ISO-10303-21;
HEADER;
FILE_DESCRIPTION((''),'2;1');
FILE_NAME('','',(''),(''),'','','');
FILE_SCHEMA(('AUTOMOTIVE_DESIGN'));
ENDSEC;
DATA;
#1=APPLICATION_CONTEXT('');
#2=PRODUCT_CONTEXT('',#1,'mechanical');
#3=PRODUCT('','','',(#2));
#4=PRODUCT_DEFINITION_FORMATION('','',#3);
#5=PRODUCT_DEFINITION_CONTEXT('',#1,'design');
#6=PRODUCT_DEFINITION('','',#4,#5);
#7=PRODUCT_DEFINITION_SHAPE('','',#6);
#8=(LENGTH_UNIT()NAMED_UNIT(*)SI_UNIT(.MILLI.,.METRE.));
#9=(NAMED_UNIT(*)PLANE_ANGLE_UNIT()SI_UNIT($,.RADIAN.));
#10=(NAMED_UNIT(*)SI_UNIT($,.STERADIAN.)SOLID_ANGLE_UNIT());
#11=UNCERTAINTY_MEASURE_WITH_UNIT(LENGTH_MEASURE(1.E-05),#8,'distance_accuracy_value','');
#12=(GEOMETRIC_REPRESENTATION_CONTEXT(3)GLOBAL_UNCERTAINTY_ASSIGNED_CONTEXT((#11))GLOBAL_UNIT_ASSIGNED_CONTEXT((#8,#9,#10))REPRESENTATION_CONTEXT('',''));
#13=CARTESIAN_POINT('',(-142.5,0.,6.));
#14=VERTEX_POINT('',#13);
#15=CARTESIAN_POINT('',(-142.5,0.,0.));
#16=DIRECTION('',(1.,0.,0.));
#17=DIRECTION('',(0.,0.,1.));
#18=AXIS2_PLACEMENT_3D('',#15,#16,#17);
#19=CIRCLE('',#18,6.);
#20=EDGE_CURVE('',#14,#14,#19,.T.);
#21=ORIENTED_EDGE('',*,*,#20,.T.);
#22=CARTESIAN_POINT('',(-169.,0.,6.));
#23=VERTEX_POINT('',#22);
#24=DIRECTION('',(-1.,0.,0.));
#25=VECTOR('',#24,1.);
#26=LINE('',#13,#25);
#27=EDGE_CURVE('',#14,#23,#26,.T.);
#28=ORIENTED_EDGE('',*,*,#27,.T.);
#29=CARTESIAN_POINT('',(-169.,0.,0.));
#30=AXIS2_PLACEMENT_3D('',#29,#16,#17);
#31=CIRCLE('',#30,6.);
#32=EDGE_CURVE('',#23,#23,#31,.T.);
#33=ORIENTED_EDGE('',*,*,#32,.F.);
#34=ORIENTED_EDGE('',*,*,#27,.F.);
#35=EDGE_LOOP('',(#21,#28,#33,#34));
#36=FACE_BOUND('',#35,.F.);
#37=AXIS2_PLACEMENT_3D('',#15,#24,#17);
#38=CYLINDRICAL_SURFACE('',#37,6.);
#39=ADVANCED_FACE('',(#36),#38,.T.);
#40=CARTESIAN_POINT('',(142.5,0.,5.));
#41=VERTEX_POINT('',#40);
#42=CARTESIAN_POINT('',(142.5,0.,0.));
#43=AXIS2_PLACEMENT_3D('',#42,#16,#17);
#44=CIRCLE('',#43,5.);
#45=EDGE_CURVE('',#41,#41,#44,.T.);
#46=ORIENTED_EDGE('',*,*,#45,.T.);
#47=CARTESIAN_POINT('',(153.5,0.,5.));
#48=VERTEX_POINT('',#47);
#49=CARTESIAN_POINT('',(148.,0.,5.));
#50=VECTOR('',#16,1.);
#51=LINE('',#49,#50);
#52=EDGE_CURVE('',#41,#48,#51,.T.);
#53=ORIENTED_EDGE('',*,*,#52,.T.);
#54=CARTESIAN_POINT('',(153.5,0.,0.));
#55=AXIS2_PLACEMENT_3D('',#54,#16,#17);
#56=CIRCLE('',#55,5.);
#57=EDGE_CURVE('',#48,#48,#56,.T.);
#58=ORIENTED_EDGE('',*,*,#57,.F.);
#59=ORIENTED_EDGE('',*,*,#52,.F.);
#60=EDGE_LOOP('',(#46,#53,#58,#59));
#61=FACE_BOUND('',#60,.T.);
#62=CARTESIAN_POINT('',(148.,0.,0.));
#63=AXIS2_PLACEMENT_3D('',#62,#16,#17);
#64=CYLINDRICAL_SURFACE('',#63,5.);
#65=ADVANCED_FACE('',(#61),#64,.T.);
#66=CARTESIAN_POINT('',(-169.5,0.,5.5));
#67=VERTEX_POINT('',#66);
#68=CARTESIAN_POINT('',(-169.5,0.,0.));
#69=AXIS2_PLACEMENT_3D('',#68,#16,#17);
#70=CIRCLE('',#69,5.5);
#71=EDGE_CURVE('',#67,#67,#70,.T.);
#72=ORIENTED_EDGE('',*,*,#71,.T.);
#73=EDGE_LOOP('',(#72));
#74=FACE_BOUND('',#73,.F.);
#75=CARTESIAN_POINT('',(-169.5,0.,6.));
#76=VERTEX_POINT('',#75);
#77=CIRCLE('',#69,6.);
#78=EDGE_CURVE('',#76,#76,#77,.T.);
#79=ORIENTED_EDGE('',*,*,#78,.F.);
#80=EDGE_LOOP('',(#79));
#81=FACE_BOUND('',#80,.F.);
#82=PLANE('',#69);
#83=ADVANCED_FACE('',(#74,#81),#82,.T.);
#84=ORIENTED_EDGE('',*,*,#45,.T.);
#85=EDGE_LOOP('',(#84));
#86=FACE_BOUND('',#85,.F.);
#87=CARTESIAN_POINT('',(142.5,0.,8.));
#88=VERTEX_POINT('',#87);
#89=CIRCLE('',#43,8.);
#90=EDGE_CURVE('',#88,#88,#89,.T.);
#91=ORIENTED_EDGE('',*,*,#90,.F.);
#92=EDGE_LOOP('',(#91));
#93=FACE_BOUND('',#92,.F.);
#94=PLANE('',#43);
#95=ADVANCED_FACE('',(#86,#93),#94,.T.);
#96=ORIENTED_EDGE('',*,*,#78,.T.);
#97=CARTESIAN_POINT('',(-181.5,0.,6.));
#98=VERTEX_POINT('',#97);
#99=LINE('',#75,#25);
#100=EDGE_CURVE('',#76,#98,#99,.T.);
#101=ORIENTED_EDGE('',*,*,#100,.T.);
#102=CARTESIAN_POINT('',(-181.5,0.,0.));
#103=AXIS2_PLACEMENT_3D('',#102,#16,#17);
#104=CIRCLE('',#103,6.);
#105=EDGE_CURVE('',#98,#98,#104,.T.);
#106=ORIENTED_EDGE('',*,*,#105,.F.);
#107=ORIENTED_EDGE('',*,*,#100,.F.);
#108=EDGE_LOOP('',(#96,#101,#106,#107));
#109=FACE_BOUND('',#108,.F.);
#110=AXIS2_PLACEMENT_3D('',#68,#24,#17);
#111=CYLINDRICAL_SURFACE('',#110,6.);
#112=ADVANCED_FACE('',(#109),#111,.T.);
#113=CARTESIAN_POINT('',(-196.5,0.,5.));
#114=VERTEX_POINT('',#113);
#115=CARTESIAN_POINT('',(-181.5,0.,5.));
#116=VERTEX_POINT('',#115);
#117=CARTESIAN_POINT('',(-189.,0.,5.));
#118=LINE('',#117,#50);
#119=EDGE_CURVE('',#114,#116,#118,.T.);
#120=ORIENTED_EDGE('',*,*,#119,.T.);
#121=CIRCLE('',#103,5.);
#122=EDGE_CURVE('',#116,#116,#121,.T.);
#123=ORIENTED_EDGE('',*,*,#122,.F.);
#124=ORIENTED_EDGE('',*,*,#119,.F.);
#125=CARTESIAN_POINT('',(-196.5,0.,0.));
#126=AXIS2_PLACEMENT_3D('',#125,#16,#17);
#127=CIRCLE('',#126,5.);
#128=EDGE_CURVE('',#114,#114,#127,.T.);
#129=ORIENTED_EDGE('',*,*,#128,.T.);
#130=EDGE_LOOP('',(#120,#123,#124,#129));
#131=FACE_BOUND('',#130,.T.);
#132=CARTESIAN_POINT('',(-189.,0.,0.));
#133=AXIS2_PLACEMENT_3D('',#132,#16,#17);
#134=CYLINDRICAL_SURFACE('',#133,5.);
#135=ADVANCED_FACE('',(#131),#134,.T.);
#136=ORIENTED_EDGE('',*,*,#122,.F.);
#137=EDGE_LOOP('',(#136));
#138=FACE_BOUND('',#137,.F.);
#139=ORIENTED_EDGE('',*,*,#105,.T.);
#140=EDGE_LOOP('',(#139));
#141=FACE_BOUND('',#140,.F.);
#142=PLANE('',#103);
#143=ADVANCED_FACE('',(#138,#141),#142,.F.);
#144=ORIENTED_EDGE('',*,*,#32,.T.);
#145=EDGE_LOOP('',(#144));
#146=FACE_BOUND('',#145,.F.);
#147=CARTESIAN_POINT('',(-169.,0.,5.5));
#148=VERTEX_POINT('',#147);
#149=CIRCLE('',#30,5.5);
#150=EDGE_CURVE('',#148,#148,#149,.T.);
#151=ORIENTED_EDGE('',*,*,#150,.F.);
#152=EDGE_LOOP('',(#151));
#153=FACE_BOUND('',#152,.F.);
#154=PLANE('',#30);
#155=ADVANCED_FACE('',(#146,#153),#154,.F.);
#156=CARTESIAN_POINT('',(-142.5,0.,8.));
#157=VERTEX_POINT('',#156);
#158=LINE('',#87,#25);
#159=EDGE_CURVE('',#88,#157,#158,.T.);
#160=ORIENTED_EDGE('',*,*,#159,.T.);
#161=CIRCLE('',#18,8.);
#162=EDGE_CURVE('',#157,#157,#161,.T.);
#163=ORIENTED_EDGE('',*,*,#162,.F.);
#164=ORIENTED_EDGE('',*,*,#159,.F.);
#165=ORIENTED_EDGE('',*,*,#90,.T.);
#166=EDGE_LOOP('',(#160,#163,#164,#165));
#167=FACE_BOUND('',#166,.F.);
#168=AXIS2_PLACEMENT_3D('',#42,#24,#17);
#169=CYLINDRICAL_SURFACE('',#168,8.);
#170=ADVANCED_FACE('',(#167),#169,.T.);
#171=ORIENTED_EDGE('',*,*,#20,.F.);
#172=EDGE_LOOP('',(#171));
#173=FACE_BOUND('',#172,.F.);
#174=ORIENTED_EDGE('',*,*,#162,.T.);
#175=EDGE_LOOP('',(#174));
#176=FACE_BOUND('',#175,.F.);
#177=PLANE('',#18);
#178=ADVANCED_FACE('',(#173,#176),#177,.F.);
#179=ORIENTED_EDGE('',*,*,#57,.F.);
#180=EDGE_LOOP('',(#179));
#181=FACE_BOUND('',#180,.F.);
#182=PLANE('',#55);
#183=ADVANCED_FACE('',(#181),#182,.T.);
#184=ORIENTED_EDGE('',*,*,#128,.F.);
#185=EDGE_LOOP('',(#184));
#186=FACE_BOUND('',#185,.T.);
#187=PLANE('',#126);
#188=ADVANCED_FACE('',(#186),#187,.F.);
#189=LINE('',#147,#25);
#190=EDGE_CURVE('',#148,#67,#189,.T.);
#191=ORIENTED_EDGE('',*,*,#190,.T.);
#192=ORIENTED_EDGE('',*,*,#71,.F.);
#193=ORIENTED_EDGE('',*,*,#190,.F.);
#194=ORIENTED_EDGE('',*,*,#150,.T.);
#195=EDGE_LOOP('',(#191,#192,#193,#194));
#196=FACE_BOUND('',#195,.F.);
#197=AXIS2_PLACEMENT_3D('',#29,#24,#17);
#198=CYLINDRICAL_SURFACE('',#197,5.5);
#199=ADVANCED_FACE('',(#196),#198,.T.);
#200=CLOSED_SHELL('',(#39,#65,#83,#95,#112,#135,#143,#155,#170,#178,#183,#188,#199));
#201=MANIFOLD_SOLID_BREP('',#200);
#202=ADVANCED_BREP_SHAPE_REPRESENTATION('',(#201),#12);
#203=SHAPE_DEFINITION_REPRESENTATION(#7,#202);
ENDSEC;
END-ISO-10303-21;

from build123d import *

# Parameters (mm, degrees)
F0_W   = 11
F0_H   = 5
F0_W_2 = 15


with BuildPart() as f1:
    # F0 (on Front) → F1 (revolve)
    with BuildSketch(Plane.XZ):
        Polygon((-142.5, 6), (-142.5, 0), (142.5, 0), (142.5, 5), (142.5, 8), (-142.5, 8), align=None)
        Polygon((-181.5, 0), (-142.5, 0), (-142.5, 6), (-169, 6), (-169, 5.5), (-169.5, 5.5), (-169.5, 6), (-181.5, 6), (-181.5, 5), align=None)
        with Locations((148, 2.5)):
            Rectangle(F0_W, F0_H)
        with Locations((-189, 2.5)):
            Rectangle(F0_W_2, F0_H)
    revolve(axis=Axis((0, 0, 0), (1, 0, 0)))


solid = f1.part
